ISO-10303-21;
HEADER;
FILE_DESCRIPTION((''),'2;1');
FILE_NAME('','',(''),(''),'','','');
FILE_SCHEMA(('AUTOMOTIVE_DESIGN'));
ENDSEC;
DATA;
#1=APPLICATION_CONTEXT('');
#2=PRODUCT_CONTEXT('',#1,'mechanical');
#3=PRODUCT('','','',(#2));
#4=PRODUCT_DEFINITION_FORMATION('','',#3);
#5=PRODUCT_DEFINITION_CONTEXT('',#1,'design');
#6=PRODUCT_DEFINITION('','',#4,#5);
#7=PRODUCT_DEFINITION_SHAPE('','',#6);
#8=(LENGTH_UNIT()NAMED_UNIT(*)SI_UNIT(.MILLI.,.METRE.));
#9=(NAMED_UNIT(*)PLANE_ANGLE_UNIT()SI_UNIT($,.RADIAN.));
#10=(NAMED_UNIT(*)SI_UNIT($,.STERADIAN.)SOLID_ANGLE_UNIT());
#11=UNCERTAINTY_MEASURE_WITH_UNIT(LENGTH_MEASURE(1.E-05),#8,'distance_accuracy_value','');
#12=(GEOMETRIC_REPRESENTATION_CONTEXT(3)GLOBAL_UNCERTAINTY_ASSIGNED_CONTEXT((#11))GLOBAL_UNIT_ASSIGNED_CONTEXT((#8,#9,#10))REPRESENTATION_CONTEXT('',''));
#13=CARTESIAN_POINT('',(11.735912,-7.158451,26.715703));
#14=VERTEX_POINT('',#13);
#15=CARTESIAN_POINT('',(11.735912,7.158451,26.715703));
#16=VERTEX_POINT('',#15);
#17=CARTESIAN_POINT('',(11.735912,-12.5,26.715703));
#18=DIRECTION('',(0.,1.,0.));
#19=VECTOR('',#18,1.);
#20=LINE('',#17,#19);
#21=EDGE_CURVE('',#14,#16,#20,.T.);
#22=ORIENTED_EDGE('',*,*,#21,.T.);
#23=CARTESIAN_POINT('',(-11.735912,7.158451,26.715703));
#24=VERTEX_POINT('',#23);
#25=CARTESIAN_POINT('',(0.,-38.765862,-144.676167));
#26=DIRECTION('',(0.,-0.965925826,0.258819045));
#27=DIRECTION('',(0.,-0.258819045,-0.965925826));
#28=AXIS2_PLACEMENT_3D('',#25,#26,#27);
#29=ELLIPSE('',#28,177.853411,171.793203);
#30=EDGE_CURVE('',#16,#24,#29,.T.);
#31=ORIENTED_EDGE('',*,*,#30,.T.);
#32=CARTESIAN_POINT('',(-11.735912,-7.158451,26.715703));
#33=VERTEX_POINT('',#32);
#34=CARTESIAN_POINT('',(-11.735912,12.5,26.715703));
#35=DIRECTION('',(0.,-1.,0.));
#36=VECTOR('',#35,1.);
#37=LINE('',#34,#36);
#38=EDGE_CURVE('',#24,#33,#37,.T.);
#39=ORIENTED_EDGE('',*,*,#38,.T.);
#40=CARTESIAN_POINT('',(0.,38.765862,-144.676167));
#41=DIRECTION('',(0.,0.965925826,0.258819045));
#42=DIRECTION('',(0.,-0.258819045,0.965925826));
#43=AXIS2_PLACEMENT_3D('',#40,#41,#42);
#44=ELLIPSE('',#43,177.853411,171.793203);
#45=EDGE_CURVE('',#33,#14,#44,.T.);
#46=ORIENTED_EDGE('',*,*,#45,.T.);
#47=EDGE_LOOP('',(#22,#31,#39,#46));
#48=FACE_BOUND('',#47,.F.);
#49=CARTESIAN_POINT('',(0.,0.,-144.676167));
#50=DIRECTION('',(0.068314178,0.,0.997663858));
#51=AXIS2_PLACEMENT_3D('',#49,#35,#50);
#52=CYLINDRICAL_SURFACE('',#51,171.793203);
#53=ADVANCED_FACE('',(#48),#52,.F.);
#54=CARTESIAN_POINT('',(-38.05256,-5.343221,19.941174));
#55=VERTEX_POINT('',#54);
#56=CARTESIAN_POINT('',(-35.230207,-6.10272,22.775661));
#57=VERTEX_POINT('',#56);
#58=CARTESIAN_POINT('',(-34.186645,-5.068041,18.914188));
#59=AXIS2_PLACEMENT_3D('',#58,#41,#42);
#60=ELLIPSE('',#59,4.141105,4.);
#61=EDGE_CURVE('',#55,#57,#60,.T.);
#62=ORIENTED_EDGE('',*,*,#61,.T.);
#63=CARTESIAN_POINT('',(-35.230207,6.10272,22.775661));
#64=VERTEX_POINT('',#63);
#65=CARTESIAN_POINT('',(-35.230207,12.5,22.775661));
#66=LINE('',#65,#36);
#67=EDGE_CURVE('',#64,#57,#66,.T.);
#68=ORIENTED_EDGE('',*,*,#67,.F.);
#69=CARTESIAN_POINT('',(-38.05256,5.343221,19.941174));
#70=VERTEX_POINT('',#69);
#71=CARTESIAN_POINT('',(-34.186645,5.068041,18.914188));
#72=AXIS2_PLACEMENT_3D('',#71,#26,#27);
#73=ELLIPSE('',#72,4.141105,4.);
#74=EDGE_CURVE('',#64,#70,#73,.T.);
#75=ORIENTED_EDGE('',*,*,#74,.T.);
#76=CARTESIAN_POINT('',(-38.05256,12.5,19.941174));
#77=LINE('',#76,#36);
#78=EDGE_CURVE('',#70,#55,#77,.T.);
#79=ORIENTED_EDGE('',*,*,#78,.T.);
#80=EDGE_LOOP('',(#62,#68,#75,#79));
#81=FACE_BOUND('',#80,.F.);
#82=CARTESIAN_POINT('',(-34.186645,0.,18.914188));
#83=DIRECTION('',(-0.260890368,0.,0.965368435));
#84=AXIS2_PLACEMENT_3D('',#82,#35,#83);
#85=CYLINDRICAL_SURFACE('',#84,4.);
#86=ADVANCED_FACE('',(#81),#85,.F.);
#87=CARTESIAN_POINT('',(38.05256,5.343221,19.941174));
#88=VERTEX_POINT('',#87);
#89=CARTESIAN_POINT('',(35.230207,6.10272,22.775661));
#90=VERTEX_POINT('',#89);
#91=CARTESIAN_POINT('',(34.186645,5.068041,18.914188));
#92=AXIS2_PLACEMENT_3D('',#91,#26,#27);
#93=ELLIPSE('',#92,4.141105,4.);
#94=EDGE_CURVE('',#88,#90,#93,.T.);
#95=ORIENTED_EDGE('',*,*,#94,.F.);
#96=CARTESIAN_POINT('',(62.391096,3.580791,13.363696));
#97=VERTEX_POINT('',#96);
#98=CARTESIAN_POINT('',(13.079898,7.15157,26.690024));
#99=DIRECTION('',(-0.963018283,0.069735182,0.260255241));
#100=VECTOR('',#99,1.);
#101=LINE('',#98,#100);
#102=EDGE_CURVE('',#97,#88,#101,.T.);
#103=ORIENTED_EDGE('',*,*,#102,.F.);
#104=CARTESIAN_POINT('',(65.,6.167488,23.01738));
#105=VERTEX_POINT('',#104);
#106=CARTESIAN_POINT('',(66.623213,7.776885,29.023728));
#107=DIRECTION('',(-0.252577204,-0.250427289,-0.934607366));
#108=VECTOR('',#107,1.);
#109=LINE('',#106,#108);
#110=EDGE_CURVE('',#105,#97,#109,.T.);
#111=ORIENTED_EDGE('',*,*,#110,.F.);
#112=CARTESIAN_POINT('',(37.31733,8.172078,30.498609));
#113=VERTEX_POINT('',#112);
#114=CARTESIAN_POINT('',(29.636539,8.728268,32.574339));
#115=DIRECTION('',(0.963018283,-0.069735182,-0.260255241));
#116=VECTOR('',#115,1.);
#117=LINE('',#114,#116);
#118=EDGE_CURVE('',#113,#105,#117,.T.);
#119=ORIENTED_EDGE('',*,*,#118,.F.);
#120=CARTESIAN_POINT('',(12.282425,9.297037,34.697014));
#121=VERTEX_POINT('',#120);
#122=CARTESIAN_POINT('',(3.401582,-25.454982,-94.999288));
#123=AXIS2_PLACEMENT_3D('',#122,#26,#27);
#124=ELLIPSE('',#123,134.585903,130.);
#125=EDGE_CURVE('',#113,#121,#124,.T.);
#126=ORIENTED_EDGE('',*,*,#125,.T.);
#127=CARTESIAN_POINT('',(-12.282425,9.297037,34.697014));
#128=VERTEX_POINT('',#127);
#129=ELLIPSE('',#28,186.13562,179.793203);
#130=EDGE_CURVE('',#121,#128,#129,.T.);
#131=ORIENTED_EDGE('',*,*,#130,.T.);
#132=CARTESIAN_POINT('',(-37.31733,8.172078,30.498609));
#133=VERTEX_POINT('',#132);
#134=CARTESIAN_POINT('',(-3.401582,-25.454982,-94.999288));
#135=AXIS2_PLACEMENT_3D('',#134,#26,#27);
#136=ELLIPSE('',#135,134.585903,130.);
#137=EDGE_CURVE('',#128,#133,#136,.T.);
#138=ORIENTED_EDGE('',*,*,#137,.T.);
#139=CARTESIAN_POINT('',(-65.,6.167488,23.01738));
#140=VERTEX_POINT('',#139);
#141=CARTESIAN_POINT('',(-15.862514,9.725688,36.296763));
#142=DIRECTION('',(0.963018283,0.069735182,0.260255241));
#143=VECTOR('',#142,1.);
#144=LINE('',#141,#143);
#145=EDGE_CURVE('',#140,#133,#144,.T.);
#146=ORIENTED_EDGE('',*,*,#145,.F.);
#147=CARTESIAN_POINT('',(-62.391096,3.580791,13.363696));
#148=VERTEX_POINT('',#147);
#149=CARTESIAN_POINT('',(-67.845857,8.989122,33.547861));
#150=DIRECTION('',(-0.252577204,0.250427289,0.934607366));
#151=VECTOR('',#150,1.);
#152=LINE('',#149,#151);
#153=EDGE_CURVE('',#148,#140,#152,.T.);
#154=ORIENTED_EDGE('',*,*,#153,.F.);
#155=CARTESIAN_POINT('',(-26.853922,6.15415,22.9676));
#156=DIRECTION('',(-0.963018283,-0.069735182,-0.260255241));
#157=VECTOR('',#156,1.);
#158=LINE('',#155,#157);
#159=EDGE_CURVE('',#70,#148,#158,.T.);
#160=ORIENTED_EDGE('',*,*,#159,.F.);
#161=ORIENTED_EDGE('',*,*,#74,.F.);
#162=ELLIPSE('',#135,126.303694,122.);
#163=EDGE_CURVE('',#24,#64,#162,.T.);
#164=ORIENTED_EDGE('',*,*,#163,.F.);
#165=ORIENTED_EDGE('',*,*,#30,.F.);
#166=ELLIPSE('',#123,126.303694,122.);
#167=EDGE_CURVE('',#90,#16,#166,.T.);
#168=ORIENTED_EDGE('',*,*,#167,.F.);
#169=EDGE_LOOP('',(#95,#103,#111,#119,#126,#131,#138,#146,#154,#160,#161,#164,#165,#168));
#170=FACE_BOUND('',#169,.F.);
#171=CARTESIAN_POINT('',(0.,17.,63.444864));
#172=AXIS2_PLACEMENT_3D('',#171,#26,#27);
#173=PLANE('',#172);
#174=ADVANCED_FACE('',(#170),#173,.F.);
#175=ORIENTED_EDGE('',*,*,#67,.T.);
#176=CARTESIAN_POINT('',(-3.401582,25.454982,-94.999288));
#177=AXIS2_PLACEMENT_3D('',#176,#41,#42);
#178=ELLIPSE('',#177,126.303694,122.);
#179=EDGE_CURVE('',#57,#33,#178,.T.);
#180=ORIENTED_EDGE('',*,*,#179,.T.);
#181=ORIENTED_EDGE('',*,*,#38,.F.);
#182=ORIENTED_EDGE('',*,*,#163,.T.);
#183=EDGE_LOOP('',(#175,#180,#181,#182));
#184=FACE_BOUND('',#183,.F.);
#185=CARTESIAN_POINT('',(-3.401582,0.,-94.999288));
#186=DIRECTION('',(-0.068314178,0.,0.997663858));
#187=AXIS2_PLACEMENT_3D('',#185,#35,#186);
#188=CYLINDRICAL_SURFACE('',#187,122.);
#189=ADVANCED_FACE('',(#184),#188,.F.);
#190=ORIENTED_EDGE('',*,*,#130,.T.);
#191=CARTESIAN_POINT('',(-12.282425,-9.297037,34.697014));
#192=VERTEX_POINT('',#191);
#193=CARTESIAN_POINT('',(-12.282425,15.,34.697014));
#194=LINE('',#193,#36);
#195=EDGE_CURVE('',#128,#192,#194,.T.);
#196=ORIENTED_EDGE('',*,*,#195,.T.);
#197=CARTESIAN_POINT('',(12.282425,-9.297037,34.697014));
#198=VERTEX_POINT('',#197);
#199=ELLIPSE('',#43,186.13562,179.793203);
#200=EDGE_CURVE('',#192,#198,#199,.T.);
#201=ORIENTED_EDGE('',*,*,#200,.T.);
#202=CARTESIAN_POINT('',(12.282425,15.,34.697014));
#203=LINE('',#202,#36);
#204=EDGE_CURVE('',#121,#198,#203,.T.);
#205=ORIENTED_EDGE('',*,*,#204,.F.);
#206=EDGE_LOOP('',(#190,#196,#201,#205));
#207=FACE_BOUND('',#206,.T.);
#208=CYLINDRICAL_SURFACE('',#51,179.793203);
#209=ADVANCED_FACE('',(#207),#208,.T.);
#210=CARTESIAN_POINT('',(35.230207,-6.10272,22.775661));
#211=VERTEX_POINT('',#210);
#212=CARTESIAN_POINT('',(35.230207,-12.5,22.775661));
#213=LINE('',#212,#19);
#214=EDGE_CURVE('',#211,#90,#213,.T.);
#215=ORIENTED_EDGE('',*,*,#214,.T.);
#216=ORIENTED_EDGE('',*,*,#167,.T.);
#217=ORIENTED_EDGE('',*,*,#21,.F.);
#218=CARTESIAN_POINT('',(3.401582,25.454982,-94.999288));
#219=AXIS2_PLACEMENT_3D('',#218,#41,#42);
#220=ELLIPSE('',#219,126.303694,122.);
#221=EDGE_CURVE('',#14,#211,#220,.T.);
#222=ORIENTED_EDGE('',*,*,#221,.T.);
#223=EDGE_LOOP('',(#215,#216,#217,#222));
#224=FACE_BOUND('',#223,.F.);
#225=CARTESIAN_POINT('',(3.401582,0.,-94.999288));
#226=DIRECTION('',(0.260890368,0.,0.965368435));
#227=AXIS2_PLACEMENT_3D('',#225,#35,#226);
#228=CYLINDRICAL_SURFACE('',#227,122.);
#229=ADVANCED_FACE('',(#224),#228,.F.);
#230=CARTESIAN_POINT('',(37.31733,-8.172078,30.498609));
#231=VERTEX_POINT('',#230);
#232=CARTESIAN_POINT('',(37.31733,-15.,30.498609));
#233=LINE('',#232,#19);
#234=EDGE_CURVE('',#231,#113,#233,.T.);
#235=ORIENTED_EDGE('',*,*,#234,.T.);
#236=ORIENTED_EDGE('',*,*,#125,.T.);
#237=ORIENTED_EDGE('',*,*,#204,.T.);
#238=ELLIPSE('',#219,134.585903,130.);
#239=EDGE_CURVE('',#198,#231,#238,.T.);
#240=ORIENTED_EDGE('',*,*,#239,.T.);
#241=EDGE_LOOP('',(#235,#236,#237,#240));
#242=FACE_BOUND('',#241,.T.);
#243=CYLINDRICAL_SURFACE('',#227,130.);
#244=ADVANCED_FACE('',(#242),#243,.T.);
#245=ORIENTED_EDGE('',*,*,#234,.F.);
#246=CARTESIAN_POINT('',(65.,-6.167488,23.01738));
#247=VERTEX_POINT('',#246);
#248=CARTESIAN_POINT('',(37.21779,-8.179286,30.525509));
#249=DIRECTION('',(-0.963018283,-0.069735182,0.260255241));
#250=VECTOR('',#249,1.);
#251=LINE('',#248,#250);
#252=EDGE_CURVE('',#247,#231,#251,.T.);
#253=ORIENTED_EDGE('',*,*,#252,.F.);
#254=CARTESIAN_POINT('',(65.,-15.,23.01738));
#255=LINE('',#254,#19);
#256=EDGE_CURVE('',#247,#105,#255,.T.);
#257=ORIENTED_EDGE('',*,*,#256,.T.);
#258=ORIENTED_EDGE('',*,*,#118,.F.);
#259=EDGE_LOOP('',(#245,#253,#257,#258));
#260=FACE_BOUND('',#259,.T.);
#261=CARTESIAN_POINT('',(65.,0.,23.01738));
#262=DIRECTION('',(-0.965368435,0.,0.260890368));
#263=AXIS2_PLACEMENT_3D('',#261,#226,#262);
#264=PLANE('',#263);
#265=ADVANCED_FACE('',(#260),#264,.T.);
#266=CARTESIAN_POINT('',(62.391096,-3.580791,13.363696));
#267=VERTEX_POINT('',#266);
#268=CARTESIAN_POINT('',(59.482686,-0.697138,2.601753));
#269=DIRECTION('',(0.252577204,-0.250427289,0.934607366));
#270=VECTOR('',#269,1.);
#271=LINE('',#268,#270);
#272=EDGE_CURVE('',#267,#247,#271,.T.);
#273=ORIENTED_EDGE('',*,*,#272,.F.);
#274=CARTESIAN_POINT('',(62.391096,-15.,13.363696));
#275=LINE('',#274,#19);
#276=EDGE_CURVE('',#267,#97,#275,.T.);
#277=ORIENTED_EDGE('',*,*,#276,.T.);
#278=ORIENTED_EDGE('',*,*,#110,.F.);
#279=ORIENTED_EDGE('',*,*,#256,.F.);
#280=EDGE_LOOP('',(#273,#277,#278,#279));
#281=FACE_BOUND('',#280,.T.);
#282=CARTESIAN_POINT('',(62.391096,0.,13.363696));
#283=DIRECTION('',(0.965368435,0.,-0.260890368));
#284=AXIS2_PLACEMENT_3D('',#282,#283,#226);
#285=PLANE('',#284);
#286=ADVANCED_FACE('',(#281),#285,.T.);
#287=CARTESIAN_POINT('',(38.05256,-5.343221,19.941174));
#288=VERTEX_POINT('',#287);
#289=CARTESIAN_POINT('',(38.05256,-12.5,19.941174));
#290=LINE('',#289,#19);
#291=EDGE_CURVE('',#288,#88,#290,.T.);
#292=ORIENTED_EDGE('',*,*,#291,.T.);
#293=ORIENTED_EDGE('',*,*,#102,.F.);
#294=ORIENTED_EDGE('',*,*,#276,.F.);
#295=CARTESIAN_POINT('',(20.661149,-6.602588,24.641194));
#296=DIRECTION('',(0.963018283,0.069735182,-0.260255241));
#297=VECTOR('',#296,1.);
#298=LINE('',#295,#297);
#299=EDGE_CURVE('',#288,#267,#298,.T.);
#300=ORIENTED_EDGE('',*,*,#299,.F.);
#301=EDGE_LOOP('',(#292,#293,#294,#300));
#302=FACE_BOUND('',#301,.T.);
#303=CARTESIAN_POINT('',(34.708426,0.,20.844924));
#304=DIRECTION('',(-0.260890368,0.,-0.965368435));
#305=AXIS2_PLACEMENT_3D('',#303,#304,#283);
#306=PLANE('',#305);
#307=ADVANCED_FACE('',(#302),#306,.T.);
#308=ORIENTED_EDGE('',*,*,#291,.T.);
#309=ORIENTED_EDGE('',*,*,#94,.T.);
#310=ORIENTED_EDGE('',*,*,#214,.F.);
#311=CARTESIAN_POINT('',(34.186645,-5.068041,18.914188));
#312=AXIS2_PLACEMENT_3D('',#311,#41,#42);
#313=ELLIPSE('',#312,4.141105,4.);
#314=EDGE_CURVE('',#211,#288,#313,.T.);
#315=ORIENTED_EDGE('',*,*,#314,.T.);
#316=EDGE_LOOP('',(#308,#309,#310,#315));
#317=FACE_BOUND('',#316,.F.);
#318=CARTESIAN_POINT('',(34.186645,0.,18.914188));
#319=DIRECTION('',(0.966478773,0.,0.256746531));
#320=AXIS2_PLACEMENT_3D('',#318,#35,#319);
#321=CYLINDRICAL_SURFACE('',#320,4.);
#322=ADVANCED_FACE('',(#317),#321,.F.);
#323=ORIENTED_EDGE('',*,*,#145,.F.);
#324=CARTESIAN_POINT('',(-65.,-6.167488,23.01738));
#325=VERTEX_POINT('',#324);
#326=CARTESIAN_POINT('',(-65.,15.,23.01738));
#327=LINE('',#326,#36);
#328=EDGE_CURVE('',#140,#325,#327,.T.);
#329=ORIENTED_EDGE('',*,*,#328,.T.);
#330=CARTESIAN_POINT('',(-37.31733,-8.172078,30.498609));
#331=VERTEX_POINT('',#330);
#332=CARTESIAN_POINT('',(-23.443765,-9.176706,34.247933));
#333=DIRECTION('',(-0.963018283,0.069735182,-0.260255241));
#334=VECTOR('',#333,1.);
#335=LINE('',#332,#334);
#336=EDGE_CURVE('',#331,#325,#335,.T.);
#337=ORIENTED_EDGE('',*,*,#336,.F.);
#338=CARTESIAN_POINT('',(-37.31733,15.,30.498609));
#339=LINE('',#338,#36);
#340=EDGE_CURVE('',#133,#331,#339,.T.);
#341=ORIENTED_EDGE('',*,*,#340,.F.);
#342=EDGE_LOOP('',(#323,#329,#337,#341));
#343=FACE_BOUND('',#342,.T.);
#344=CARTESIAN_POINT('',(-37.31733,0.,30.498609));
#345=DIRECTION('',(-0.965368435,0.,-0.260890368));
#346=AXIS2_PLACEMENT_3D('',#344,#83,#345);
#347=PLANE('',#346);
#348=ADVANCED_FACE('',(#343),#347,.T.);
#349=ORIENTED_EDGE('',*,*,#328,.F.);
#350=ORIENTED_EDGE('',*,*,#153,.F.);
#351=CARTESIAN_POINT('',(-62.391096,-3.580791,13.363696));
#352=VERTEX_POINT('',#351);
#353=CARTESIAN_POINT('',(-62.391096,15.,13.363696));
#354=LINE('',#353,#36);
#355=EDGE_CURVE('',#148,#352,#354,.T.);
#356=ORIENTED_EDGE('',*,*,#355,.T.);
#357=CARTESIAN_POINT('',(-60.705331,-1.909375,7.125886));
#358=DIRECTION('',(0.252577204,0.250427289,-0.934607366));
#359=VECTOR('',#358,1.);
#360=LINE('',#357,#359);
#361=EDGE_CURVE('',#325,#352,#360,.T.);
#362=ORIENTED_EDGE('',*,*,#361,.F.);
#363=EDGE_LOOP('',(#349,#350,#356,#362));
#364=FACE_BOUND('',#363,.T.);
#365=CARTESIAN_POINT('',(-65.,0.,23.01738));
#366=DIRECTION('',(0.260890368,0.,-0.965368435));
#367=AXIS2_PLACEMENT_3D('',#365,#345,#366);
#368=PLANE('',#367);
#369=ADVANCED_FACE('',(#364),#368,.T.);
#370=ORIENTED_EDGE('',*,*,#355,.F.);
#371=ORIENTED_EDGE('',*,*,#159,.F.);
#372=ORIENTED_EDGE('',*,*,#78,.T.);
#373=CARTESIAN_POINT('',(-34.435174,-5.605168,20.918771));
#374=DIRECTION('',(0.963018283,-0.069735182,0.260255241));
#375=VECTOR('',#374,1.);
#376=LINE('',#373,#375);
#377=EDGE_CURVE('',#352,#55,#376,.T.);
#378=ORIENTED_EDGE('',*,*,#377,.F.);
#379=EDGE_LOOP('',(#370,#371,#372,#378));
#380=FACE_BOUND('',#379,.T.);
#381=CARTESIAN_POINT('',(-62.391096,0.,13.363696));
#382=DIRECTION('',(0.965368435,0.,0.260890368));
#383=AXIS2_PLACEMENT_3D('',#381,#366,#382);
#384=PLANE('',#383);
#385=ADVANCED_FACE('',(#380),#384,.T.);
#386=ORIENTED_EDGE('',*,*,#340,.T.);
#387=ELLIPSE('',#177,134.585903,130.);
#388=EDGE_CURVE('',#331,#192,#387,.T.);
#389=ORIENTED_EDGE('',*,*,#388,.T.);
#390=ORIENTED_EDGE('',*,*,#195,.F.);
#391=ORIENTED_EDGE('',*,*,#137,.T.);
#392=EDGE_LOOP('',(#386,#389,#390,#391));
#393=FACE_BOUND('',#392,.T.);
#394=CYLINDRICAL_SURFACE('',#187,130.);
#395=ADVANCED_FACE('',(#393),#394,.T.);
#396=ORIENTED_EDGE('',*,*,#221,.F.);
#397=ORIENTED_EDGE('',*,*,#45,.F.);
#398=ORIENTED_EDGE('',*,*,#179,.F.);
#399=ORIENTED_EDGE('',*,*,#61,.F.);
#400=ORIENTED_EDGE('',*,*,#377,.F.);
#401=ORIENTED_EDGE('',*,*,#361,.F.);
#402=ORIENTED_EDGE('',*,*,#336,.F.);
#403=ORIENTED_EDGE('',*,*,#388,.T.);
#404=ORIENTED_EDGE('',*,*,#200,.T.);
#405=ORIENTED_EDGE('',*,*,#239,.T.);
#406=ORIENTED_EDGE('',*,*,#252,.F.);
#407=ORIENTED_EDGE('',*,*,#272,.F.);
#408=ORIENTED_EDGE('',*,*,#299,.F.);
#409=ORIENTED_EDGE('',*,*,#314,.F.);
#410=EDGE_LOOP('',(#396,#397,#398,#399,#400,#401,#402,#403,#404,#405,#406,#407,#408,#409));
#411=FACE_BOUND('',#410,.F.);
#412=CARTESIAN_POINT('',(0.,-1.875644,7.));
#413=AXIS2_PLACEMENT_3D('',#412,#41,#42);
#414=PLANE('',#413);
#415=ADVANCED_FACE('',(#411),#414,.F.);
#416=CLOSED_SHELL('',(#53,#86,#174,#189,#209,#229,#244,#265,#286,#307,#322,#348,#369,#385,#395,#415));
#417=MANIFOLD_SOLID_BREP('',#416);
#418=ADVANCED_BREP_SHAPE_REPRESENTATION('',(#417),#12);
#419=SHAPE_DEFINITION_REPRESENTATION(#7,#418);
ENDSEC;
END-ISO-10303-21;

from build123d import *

# Parameters (mm, degrees)
F1_DEPTH = 15
F3_DEPTH = 100
F5_DEPTH = 12.5


with BuildPart() as f1:
    # F0 (on Front) → F1 (new body, symmetric)
    with BuildSketch(Plane.XZ):
        with BuildLine():
            ThreePointArc((37.317329624, 30.4986087275), (24.902598062, 33.210330732), (12.2824249303, 34.6970136545))
            ThreePointArc((12.2824249303, 34.6970136545), (0, 35.1170361544), (-12.2824249303, 34.6970136545))
            ThreePointArc((-12.2824249303, 34.6970136545), (-24.902598062, 33.210330732), (-37.317329624, 30.4986087275))
            Line((-37.317329624, 30.4986087275), (-65, 23.01738))
            Line((-65, 23.01738), (-62.3910963169, 13.3636956478))
            Line((-62.3910963169, 13.3636956478), (-34.7084259409, 20.8449243753))
            ThreePointArc((-34.7084259409, 20.8449243753), (-23.2486737298, 23.3480523794), (-11.5992831467, 24.7203750772))
            ThreePointArc((-11.5992831467, 24.7203750772), (0, 25.1170361544), (11.5992831467, 24.7203750772))
            ThreePointArc((11.5992831467, 24.7203750772), (23.2486737298, 23.3480523794), (34.7084259409, 20.8449243753))
            Line((34.7084259409, 20.8449243753), (62.3910963169, 13.3636956478))
            Line((62.3910963169, 13.3636956478), (65, 23.01738))
            Line((65, 23.01738), (37.317329624, 30.4986087275))
        make_face()
    extrude(amount=F1_DEPTH, both=True)

    # F2 (on Right) → F3 (cut, symmetric)
    with BuildSketch(Plane.YZ):
        Polygon((-1.875644347, 7), (-17, 63.4448637287), (-17, 0), (0, 0), (17, 0), (17, 63.4448637287), (1.875644347, 7), align=None)
    extrude(amount=F3_DEPTH, both=True, mode=Mode.SUBTRACT)

    # F4 (on Front) → F5 (cut, symmetric)
    with BuildSketch(Plane.XZ):
        with BuildLine():
            ThreePointArc((11.7359115034, 26.7157027926), (0, 27.1170361544), (-11.7359115034, 26.7157027926))
            ThreePointArc((-11.7359115034, 26.7157027926), (-23.5794585962, 25.32050805), (-35.2302066775, 22.7756612458))
            ThreePointArc((-35.2302066775, 22.7756612458), (-37.021132821, 21.7365411239), (-38.0525602966, 19.9411736291))
            Line((-38.0525602966, 19.9411736291), (-34.7084259409, 20.8449243753))
            ThreePointArc((-34.7084259409, 20.8449243753), (-23.2486737298, 23.3480523794), (-11.5992831467, 24.7203750772))
            ThreePointArc((-11.5992831467, 24.7203750772), (0, 25.1170361544), (11.5992831467, 24.7203750772))
            ThreePointArc((11.5992831467, 24.7203750772), (23.2486737298, 23.3480523794), (34.7084259409, 20.8449243753))
            Line((34.7084259409, 20.8449243753), (38.0525602966, 19.9411736291))
            ThreePointArc((38.0525602966, 19.9411736291), (37.021132821, 21.7365411239), (35.2302066775, 22.7756612458))
            ThreePointArc((35.2302066775, 22.7756612458), (23.5794585962, 25.32050805), (11.7359115034, 26.7157027927))
        make_face()
    extrude(amount=F5_DEPTH, both=True, mode=Mode.SUBTRACT)


solid = f1.part
